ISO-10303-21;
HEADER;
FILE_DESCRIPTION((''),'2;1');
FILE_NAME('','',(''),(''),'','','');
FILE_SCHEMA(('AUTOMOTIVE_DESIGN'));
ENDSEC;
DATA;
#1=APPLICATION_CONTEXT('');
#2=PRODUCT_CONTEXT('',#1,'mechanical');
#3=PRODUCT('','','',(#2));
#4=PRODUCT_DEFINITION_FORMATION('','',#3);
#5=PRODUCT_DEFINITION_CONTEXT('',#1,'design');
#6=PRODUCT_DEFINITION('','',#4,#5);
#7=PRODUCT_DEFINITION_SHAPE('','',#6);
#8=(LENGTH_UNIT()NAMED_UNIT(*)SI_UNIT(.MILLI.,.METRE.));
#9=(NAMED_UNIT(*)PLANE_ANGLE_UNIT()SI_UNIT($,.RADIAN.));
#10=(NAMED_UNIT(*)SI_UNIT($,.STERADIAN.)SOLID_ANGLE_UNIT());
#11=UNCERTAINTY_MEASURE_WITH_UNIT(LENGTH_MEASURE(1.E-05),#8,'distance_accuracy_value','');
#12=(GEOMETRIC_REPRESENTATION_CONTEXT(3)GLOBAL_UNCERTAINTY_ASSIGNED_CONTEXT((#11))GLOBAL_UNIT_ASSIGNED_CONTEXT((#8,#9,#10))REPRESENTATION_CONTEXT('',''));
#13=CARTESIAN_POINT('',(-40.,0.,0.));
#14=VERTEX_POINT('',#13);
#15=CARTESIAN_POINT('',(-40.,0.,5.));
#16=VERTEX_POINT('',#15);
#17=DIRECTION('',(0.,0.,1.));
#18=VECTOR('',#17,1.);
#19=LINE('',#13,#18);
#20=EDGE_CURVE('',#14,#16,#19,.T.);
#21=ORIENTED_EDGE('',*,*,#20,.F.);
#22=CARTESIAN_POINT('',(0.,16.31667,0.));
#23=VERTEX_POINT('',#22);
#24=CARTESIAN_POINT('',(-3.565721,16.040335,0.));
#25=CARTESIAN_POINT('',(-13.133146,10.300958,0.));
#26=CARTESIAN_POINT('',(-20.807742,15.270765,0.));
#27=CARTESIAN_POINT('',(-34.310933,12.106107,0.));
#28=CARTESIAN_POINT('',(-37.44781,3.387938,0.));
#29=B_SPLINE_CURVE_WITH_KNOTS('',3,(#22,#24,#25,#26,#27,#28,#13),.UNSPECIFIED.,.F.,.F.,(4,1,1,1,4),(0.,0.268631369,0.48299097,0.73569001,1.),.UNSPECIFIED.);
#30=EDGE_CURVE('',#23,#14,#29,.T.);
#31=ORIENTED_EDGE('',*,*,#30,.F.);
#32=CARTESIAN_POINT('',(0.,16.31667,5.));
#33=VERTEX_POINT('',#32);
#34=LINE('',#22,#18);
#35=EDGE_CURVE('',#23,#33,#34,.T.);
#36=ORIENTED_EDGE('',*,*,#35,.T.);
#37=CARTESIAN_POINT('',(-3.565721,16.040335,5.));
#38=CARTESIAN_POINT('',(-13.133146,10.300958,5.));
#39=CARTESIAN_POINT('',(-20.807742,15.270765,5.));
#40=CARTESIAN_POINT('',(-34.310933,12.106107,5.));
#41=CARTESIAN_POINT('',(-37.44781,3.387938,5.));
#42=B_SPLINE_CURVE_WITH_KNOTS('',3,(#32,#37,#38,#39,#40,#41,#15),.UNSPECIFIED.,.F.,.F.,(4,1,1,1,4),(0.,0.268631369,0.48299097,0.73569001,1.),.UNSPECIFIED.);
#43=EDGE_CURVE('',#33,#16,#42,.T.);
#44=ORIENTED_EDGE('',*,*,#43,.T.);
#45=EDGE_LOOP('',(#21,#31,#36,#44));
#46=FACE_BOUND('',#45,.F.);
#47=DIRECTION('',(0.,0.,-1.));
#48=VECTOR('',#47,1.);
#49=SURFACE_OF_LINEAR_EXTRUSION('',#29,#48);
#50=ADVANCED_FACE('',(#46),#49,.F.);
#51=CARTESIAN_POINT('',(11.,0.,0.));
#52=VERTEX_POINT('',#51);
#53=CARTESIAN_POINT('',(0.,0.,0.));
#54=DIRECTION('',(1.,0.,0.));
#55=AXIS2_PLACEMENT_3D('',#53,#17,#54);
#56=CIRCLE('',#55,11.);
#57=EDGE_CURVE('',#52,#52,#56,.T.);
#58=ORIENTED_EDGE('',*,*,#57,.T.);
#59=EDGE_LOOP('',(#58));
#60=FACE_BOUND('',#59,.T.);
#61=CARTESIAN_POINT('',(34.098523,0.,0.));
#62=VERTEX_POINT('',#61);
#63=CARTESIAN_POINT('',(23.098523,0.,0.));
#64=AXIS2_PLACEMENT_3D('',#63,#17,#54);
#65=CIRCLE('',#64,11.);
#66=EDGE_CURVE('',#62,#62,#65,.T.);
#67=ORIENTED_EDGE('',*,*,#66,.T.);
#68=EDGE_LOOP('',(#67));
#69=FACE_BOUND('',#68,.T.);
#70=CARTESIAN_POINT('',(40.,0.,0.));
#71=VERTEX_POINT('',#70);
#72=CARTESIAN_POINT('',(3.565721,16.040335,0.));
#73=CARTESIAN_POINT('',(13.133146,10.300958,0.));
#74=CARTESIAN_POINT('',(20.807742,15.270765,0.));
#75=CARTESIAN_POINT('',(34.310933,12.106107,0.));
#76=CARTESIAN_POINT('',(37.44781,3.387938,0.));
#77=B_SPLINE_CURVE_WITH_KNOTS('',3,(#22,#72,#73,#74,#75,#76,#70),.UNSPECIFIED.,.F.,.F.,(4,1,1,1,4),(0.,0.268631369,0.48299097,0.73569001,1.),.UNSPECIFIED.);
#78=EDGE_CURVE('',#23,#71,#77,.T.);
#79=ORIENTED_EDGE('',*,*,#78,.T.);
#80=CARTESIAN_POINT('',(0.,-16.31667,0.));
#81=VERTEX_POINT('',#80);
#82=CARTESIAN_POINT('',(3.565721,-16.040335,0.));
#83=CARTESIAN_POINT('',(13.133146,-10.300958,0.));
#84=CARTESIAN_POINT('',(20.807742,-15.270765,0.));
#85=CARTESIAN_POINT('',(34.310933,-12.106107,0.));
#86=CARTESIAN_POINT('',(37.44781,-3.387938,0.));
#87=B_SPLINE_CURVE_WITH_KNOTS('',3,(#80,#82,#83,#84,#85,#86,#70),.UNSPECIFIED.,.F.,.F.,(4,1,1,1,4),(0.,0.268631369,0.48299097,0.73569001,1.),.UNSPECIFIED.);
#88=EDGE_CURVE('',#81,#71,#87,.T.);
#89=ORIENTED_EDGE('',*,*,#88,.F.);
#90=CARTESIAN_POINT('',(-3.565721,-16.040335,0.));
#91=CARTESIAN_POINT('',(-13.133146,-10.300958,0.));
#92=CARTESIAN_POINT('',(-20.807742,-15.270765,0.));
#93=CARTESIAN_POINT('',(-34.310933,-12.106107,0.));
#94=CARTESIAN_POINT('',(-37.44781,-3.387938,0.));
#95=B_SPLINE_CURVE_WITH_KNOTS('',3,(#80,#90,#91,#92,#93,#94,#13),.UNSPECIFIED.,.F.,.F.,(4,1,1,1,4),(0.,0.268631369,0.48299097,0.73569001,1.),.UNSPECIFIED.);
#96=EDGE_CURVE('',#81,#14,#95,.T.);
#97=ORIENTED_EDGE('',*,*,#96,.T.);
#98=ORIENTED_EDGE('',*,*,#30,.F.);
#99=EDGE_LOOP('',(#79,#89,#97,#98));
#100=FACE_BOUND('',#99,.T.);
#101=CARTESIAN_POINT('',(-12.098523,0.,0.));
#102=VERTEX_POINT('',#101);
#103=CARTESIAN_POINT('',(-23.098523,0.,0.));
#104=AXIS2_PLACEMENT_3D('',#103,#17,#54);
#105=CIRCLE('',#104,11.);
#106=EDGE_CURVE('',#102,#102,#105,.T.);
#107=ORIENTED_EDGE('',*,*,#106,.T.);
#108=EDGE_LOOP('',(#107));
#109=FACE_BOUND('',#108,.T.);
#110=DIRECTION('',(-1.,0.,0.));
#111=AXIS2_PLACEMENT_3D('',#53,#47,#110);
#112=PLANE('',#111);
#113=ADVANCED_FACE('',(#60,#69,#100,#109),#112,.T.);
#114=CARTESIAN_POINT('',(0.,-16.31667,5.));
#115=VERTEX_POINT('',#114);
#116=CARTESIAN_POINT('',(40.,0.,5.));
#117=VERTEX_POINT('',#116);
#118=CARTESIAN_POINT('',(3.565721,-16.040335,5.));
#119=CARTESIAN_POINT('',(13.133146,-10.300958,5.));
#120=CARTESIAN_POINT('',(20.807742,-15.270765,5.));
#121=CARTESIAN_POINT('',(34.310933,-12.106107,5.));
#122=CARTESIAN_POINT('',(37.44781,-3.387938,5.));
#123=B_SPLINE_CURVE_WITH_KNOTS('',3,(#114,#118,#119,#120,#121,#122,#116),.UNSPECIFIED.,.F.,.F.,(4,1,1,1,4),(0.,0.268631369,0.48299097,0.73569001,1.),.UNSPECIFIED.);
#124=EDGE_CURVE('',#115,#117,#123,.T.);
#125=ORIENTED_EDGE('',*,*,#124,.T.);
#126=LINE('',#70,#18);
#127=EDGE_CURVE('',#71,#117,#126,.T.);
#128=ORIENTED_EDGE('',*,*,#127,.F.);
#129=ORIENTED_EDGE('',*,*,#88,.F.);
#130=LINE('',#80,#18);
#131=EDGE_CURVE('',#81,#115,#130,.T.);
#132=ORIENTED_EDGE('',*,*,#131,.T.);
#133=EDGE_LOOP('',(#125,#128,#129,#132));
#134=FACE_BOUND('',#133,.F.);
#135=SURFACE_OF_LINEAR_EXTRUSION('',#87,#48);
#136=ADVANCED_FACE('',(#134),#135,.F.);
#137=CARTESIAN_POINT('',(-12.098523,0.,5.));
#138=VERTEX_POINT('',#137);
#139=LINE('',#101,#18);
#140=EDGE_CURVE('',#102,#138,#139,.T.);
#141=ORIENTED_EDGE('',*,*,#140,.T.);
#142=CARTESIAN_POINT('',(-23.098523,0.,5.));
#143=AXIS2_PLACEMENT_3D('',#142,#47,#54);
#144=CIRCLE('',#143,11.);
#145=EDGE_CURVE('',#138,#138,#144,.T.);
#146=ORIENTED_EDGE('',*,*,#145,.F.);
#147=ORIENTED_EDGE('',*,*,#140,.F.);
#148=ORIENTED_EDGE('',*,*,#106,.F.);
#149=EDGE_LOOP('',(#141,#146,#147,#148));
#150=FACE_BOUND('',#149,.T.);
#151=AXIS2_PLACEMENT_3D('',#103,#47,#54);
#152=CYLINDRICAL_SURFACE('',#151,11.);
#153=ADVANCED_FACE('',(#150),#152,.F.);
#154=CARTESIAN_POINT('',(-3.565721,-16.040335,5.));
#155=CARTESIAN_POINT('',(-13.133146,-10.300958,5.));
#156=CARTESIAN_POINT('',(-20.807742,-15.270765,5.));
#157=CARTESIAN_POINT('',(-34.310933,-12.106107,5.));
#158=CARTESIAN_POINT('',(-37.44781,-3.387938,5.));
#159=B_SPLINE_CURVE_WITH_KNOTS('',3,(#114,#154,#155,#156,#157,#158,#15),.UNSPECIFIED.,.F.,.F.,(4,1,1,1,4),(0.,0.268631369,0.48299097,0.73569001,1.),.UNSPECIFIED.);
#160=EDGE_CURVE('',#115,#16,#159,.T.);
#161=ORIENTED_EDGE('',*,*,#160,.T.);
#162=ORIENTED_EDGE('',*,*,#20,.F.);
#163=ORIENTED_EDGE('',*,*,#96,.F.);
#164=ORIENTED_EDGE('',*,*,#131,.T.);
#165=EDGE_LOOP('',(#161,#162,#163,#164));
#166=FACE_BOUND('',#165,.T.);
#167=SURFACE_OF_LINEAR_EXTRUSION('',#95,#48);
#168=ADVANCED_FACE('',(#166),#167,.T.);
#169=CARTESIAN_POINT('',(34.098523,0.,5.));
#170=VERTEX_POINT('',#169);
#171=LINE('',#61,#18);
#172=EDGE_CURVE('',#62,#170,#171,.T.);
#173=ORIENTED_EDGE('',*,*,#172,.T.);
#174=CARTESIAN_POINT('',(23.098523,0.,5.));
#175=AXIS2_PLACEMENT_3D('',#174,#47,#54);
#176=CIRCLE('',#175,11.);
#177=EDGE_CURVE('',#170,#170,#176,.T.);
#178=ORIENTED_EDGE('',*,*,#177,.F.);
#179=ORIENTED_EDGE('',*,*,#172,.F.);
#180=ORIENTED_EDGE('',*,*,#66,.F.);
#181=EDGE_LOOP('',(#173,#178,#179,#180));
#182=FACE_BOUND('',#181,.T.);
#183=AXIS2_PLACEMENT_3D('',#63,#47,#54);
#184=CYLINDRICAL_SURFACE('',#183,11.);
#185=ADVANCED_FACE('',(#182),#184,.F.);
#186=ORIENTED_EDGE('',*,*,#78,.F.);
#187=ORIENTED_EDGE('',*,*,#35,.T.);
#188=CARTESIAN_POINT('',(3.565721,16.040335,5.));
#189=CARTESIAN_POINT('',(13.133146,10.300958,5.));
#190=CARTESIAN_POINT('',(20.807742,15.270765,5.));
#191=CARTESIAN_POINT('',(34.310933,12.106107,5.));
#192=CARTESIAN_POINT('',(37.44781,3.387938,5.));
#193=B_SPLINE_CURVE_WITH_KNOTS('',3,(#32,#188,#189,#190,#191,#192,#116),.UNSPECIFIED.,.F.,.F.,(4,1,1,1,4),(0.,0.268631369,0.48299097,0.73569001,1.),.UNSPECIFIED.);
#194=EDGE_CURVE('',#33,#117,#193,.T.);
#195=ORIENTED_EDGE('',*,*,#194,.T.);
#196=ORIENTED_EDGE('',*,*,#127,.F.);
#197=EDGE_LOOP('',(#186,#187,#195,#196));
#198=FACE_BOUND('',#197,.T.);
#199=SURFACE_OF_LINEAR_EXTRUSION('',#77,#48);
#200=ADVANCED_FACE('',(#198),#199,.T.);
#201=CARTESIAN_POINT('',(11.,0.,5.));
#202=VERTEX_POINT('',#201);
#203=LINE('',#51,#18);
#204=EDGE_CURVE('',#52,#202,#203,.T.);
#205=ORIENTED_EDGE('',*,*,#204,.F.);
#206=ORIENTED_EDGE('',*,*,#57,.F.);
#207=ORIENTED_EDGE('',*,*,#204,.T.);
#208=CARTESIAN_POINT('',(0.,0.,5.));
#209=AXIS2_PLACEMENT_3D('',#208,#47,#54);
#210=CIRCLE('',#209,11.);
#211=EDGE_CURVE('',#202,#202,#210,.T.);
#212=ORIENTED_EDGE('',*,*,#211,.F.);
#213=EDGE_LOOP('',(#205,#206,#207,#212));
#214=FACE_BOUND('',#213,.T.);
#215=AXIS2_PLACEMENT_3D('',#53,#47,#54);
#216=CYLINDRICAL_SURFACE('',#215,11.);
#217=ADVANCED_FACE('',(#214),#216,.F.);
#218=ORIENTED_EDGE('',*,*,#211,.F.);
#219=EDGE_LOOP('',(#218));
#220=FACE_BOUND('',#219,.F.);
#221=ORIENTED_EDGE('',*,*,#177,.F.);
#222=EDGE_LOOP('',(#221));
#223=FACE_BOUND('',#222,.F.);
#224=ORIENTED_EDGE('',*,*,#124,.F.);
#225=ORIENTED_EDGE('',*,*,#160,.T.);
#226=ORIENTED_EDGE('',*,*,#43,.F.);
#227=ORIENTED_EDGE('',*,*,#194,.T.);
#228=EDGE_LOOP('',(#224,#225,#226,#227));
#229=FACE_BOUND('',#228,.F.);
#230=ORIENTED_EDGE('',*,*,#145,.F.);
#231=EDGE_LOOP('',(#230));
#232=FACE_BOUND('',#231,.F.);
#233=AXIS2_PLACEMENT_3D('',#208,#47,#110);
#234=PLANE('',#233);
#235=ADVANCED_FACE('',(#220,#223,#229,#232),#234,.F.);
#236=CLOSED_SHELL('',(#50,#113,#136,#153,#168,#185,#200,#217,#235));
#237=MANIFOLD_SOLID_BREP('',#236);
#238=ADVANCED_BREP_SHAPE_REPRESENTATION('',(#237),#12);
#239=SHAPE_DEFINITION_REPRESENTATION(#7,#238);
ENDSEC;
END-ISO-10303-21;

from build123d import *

# Parameters (mm, degrees)
F2_DEPTH = 5
F1_R     = 11
F3_DEPTH = 25


with BuildPart() as f2:
    # F0 (on Top) → F2 (new body)
    with BuildSketch(Plane.XY):
        with BuildLine():
            add(Edge.make_bspline(
                [(0, 16.3166696827), (3.5657212598, 16.0403345339), (13.133146472, 10.3009581446), (20.8077415202, 15.270765109), (34.3109333985, 12.1061073272), (37.4478100235, 3.3879376446), (40, 0)],
                knots=[0, 0, 0, 0, 0.268631369, 0.4829909698, 0.7356900098, 1, 1, 1, 1], degree=3))
            add(Edge.make_bspline(
                [(0, 16.3166696827), (-3.5657212598, 16.0403345339), (-13.133146472, 10.3009581446), (-20.8077415202, 15.270765109), (-34.3109333985, 12.1061073272), (-37.4478100235, 3.3879376446), (-40, 0)],
                knots=[0, 0, 0, 0, 0.268631369, 0.4829909698, 0.7356900098, 1, 1, 1, 1], degree=3))
            add(Edge.make_bspline(
                [(0, -16.3166696827), (-3.5657212598, -16.0403345339), (-13.133146472, -10.3009581446), (-20.8077415202, -15.270765109), (-34.3109333985, -12.1061073272), (-37.4478100235, -3.3879376446), (-40, 0)],
                knots=[0, 0, 0, 0, 0.268631369, 0.4829909698, 0.7356900098, 1, 1, 1, 1], degree=3))
            add(Edge.make_bspline(
                [(0, -16.3166696827), (3.5657212598, -16.0403345339), (13.133146472, -10.3009581446), (20.8077415202, -15.270765109), (34.3109333985, -12.1061073272), (37.4478100235, -3.3879376446), (40, 0)],
                knots=[0, 0, 0, 0, 0.268631369, 0.4829909698, 0.7356900098, 1, 1, 1, 1], degree=3))
        make_face()
    extrude(amount=F2_DEPTH)

    # F1 (on Top) → F3 (cut)
    with BuildSketch(Plane.XY):
        Circle(F1_R)
        with Locations((-23.0985227972, 0)):
            Circle(F1_R)
        with Locations((23.0985227972, 0)):
            Circle(F1_R)
    extrude(amount=F3_DEPTH, mode=Mode.SUBTRACT)


solid = f2.part
